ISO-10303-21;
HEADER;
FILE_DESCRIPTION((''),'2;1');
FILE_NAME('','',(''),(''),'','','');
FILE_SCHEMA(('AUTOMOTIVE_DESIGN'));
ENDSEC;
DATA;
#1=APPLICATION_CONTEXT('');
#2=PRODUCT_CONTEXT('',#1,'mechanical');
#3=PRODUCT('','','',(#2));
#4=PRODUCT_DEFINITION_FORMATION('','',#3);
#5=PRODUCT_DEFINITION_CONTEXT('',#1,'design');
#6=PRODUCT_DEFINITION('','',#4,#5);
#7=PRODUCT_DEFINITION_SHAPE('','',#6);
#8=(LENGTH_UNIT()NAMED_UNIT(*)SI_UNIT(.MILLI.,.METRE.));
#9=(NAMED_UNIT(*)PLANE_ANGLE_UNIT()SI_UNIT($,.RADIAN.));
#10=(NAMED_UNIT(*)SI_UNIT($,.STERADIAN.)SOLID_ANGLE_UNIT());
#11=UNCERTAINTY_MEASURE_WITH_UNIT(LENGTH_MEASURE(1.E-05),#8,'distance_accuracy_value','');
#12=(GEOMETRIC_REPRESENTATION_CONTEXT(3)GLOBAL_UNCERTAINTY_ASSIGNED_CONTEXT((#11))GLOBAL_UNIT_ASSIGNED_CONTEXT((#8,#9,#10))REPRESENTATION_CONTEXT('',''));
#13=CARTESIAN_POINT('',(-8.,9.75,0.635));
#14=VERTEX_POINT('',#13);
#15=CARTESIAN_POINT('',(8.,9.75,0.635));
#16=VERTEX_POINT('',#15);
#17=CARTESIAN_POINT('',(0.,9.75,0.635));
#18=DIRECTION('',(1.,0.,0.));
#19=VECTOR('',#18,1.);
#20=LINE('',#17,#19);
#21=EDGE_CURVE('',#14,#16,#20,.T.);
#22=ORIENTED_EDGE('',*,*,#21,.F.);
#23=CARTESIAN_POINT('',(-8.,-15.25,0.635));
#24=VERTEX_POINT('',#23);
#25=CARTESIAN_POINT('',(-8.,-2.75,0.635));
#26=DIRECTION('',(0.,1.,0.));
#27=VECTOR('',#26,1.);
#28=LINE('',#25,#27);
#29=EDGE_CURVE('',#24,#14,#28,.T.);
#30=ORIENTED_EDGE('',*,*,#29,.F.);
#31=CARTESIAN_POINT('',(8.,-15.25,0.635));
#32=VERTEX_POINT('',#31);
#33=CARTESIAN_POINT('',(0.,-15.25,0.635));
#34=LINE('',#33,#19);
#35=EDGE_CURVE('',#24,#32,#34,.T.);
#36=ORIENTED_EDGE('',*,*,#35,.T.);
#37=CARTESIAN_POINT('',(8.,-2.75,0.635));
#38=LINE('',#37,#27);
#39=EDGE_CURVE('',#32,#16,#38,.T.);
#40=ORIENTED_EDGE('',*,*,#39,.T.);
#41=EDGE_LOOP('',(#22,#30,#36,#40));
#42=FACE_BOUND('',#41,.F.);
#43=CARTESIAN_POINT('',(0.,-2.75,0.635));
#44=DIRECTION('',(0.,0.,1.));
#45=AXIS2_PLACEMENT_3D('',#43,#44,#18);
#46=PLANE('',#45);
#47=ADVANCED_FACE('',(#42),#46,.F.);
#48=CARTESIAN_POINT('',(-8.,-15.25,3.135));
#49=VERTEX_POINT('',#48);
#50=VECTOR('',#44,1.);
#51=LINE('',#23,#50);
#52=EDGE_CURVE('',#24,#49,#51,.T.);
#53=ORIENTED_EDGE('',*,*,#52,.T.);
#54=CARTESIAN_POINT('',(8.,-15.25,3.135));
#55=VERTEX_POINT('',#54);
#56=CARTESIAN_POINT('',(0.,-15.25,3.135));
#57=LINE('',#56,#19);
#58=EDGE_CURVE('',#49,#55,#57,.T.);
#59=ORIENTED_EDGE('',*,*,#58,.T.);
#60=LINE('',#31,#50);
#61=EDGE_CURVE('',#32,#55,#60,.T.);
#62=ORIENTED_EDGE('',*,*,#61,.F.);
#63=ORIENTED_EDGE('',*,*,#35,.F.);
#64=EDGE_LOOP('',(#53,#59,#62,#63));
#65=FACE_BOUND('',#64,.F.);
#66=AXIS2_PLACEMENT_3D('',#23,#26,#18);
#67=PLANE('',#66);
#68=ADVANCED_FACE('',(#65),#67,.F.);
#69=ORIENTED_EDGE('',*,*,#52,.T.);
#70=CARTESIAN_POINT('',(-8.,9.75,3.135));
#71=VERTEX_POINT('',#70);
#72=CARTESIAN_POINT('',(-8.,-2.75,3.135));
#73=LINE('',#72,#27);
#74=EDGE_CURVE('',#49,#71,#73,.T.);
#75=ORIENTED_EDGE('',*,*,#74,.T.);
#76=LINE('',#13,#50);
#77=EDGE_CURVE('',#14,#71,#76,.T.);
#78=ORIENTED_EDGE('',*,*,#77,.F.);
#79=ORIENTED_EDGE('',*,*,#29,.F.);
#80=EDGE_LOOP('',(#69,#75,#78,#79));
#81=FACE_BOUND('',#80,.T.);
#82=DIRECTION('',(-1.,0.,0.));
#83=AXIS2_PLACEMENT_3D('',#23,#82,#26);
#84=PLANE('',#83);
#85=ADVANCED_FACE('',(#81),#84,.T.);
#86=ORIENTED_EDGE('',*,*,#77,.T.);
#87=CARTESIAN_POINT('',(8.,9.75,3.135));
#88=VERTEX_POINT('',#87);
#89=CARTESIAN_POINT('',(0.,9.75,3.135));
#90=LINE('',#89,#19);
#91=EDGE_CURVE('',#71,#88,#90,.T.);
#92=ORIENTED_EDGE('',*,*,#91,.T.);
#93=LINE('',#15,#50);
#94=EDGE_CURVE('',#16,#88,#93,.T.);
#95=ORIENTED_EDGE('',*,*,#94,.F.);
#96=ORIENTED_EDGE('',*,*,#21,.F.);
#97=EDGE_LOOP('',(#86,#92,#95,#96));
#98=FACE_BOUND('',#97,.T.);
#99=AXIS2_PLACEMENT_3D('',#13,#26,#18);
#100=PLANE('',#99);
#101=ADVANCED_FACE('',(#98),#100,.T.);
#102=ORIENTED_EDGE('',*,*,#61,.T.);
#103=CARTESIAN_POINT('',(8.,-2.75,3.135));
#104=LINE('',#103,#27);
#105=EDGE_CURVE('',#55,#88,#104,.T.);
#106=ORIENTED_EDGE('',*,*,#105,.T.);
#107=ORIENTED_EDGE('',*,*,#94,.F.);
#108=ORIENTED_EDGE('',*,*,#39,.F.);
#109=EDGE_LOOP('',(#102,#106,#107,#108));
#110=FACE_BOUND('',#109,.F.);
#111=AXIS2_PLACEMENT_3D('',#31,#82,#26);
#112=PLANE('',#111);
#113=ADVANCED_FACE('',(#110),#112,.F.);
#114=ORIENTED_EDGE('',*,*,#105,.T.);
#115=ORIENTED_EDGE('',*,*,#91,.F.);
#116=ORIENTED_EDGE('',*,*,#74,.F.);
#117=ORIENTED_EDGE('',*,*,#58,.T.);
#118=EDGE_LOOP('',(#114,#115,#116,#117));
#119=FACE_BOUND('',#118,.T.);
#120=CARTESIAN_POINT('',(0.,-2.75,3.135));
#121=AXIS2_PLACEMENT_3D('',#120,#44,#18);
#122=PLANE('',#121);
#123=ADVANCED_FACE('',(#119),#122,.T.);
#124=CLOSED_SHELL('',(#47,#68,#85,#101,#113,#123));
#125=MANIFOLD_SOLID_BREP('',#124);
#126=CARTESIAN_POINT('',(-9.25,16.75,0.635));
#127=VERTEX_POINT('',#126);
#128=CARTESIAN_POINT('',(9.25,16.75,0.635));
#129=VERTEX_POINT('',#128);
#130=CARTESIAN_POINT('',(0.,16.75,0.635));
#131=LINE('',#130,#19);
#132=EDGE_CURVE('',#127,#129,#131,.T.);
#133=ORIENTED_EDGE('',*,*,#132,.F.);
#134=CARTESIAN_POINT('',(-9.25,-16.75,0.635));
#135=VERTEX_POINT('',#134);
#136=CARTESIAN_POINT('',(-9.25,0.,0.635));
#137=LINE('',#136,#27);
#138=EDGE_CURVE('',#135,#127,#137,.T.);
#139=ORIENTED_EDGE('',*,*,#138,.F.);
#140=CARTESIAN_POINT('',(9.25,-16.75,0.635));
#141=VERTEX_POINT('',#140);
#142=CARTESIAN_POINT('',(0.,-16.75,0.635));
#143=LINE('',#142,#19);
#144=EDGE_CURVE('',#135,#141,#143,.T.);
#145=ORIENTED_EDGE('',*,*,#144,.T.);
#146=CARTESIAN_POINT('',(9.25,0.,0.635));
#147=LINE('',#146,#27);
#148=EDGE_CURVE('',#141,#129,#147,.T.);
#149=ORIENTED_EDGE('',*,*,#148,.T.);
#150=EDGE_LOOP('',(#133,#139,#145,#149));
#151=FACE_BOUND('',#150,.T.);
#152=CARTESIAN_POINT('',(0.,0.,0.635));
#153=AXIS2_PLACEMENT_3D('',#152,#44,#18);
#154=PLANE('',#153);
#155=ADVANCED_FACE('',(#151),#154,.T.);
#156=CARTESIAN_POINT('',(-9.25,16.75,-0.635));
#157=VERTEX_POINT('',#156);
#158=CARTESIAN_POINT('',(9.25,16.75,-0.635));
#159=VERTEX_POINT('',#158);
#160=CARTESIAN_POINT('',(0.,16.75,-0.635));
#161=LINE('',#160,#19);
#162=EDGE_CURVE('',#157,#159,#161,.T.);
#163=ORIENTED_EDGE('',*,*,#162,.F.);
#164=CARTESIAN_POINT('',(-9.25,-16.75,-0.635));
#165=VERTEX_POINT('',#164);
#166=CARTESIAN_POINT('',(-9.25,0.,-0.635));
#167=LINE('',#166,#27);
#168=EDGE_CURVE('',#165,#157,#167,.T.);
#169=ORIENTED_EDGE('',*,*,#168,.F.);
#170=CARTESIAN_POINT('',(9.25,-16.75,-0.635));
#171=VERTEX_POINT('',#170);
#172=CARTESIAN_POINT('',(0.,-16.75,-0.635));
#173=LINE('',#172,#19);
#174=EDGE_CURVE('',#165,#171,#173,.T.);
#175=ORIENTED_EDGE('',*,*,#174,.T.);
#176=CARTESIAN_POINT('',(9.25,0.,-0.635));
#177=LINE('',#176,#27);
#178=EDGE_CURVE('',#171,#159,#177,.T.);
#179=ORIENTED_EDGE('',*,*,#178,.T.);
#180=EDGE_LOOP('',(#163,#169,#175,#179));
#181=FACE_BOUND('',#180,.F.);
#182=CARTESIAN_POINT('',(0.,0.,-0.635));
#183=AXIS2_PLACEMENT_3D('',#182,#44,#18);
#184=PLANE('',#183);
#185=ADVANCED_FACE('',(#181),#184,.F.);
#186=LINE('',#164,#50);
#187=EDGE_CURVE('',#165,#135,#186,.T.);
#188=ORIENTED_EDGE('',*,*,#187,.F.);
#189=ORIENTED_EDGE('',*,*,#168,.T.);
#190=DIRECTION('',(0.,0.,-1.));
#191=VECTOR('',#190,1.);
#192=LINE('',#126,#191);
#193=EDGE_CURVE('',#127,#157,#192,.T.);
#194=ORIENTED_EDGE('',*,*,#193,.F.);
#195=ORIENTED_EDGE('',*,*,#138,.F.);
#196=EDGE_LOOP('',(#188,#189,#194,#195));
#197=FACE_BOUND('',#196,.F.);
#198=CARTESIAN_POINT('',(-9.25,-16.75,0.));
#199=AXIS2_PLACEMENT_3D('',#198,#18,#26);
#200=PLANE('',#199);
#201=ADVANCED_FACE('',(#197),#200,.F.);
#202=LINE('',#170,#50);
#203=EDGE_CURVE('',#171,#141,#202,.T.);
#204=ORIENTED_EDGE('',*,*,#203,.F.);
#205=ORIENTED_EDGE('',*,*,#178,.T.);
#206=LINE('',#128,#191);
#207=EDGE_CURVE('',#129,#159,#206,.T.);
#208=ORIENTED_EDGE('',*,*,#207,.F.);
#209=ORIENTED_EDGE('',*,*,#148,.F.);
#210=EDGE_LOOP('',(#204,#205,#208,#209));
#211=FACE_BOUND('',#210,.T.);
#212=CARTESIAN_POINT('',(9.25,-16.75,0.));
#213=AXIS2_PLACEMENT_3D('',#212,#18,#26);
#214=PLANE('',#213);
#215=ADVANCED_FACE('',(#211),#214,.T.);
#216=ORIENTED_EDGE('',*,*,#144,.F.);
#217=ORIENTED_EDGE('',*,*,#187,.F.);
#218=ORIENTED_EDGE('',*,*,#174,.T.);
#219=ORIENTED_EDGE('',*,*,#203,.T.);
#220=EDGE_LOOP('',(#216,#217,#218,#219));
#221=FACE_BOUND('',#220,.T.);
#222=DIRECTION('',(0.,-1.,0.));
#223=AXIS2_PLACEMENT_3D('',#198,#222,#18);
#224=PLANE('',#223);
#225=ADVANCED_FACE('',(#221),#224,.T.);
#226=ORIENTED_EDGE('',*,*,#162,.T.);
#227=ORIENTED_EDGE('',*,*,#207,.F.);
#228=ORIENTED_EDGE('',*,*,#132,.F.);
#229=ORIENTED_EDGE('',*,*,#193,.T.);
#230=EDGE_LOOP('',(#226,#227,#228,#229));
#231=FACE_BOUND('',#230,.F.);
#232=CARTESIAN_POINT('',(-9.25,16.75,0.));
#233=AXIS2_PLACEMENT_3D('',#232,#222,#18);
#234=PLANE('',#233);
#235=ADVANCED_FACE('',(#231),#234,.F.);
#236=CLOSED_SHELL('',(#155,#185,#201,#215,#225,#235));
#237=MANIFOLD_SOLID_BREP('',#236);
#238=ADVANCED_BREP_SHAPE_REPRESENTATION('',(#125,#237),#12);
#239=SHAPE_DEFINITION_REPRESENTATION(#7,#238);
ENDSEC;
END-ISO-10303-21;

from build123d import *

# Parameters (mm, degrees)
F0_W     = 18.5
F0_H     = 33.5
F1_DEPTH = 0.635
F2_W     = 16
F2_H     = 25
F3_DEPTH = 2.5


with BuildPart() as f1:
    # F0 (on Top) → F1 (new body, symmetric)
    with BuildSketch(Plane.XY):
        Rectangle(F0_W, F0_H)
    extrude(amount=F1_DEPTH, both=True)


with BuildPart() as f3:
    # F2 (on face) → F3 (new body)
    with BuildSketch(Plane.XY.offset(0.635)):
        with Locations((0, -2.75)):
            Rectangle(F2_W, F2_H)
    extrude(amount=F3_DEPTH)


solid = Compound([f1.part, f3.part])
